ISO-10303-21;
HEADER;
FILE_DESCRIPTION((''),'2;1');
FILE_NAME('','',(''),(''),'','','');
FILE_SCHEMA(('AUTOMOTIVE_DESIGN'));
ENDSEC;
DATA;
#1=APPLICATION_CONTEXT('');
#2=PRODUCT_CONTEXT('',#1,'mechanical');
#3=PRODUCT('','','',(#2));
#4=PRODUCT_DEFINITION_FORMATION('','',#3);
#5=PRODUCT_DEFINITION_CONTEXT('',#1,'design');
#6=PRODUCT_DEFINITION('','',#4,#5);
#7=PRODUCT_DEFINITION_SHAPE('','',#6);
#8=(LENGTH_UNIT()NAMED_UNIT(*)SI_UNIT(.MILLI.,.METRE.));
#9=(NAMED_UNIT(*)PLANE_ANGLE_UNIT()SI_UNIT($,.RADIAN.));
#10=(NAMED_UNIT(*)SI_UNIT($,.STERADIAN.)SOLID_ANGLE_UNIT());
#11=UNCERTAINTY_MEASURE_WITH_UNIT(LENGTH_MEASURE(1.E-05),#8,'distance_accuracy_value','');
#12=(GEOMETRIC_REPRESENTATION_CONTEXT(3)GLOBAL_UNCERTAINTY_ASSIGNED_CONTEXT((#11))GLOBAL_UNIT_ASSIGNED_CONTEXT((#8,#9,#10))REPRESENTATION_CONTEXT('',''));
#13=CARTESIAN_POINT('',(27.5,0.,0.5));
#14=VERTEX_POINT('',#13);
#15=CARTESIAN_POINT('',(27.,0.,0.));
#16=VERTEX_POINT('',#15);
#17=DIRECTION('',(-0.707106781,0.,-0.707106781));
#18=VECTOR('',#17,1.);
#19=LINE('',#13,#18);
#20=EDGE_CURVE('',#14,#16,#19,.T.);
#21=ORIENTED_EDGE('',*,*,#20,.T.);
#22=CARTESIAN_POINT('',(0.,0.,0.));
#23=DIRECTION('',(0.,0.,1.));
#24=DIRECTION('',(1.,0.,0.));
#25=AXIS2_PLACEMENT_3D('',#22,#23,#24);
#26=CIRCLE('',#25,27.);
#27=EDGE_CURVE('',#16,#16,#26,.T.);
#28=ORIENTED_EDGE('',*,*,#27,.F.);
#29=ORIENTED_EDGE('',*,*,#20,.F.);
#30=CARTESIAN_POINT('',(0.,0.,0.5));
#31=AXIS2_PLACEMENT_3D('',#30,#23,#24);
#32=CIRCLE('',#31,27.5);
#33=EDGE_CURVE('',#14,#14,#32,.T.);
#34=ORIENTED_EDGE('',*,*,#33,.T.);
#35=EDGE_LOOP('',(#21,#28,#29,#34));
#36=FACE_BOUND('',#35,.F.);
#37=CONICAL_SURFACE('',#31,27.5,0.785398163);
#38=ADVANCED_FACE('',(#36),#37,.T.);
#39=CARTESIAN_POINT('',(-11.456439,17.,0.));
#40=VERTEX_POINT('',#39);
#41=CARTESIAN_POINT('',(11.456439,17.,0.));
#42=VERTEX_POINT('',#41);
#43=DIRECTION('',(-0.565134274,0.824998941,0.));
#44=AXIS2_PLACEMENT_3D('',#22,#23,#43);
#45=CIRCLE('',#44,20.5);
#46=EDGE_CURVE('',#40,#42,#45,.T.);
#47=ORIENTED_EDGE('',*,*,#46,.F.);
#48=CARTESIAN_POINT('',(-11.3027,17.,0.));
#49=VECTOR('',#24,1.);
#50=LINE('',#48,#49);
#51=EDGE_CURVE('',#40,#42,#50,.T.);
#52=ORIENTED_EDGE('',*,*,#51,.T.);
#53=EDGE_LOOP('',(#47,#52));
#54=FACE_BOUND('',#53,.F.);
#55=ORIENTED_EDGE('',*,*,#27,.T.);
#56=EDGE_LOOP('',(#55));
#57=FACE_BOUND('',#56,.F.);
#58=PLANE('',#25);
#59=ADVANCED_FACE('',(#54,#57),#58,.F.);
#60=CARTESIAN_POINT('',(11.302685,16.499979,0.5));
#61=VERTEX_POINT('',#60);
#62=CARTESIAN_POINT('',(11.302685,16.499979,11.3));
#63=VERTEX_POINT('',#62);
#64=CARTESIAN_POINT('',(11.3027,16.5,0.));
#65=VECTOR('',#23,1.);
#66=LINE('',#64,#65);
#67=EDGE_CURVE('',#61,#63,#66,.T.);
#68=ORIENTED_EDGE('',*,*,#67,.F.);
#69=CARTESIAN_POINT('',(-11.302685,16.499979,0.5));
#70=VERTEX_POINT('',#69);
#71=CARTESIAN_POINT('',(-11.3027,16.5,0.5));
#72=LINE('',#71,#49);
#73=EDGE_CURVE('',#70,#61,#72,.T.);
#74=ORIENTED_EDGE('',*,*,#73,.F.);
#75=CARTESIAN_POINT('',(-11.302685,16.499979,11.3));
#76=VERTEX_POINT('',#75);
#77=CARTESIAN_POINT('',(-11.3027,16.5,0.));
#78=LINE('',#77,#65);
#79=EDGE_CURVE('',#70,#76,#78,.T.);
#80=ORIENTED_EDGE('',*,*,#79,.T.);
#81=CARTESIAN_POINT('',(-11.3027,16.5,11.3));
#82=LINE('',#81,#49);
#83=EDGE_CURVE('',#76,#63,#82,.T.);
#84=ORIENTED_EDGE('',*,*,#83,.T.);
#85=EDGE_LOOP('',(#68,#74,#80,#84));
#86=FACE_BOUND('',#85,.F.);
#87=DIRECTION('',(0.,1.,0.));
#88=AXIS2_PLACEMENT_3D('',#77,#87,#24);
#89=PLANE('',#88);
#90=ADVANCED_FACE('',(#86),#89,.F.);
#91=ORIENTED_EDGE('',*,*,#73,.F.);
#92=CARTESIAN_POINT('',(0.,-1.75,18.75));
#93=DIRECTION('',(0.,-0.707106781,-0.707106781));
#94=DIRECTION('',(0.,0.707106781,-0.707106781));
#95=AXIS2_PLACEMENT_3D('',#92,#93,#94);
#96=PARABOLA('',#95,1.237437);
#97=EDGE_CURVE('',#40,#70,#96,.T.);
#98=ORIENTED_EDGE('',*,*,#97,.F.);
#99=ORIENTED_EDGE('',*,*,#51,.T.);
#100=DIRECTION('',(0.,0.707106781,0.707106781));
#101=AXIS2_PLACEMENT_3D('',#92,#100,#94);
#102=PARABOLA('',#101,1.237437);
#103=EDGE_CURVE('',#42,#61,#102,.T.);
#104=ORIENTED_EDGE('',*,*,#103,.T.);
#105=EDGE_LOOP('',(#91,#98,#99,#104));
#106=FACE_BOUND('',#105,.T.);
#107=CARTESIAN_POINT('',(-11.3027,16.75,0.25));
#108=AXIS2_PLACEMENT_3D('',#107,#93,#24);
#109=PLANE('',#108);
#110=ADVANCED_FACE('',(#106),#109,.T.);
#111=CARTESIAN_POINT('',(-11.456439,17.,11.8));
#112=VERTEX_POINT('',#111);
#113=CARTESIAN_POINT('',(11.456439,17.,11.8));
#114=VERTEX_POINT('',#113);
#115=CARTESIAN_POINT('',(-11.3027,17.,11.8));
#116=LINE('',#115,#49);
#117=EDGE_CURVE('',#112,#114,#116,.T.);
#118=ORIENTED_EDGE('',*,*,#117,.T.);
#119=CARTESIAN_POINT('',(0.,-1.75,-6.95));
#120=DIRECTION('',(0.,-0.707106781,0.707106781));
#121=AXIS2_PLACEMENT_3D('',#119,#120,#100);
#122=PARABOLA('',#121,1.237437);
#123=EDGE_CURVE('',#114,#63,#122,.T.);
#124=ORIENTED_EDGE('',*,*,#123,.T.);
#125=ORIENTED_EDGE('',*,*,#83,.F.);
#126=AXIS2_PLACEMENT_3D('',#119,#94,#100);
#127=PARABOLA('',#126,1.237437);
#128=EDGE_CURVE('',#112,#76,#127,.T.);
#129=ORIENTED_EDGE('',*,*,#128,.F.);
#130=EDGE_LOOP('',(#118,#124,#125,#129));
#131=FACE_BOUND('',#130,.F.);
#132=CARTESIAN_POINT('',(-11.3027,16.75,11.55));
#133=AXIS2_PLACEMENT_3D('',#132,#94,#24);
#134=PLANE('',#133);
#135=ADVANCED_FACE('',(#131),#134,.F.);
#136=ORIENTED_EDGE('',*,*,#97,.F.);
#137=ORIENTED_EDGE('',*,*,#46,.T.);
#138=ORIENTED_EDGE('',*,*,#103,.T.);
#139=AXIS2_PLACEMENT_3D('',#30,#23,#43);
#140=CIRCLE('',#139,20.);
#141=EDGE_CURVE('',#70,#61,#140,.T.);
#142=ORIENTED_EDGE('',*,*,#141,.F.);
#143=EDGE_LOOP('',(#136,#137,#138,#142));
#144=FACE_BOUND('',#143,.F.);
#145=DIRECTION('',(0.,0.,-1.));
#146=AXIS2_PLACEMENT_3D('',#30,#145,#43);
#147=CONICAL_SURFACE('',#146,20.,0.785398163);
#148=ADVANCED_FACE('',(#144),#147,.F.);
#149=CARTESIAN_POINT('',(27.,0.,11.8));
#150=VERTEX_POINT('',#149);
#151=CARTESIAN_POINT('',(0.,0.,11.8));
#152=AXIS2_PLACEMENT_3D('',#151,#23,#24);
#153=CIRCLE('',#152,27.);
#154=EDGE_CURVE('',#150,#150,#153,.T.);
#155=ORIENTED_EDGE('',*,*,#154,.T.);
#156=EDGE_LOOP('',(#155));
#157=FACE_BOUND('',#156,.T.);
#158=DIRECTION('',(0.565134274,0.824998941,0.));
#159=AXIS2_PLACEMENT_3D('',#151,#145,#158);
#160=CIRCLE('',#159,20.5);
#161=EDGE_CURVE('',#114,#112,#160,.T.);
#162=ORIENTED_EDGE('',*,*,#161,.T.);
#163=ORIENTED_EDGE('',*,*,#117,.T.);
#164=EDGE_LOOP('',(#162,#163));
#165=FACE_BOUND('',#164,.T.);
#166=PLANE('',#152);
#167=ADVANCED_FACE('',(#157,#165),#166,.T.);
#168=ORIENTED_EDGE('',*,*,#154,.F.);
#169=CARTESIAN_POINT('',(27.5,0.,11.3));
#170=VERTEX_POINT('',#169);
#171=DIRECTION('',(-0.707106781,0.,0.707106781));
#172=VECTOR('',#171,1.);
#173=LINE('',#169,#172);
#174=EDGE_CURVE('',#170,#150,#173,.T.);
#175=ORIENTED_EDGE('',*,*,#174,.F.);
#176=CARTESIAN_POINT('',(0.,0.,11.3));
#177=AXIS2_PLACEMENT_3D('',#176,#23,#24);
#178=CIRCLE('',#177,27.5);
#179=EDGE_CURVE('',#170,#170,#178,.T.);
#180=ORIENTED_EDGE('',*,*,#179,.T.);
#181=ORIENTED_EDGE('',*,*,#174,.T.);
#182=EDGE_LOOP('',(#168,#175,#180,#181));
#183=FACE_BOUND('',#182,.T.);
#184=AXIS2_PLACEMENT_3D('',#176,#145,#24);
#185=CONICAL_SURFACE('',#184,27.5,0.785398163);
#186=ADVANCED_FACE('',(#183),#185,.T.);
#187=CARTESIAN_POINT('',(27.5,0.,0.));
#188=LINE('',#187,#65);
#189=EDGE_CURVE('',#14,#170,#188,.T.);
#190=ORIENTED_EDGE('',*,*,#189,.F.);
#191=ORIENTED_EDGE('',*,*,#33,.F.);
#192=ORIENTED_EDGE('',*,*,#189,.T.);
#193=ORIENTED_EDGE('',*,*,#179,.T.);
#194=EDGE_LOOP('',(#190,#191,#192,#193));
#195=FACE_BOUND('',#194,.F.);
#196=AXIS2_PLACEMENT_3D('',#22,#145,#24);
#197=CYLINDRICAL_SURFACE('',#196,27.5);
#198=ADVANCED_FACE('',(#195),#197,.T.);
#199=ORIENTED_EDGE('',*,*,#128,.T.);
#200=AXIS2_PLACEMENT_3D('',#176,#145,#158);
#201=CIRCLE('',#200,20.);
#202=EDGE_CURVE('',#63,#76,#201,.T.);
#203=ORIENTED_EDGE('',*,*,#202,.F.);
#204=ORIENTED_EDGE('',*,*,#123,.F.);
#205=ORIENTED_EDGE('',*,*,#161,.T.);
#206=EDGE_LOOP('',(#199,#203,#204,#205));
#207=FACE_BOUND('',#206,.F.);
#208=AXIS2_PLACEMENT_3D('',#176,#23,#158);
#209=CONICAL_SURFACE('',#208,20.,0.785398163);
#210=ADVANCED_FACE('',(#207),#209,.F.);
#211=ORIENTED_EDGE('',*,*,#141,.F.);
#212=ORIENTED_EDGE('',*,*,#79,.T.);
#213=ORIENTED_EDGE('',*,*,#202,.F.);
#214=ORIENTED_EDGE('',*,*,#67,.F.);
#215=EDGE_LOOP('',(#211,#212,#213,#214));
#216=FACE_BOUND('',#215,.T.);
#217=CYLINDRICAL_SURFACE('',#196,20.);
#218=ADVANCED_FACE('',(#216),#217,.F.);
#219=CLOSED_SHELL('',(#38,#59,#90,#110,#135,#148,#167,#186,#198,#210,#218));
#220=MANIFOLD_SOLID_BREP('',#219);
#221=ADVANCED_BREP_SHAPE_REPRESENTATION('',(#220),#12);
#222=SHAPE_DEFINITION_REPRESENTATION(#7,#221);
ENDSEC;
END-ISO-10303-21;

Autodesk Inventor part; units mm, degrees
ref_plane "YZ Plane" through (0, 0, 0) normal (1, 0, 0) x (0, 1, 0)
ref_plane "XZ Plane" through (0, 0, 0) normal (0, 1, 0) x (-1, 0, 0)
ref_plane "XY Plane" through (0, 0, 0) normal (0, 0, 1) x (1, 0, 0)
sketch "Skizze1" plane through (0, 0, 0) normal (0, 0, 1) x (1, 0, 0)
  circle A0 centre (0, 0) radius 27.5
  circle A1 centre (0, 0) radius 20
  line L0 (-6, 19.0788) -> (-6, 22.8)
  line L1 (-6, 22.8) -> (6, 22.8)
  line L2 (6, 22.8) -> (6, 19.0788)
  line L3 (0, -38.5) -> (0, 38.5) construction
  line L4 (-6, 20) -> (6, 20) construction
  line L5 (-11.3027, 16.5) -> (11.3027, 16.5)
  point P0 (0, 22.8)
  point P1 (0, 20)
  dimension "d0" = 2.8
  dimension "d1" = 12
  dimension "d2" = 40
  dimension "d3" = 55
  dimension "d9" = 3.5
extrude "Extrusion1" add sketch "Skizze1" along normal blind 11.8 contours A0 | L5 A1 | A1 L0 L1 L2 picked at (0.6759, 18.8958)
chamfer "Fase1" distance 0.5 angle 45 6 edges at (-27.5, 0, 11.8) (-27.5, 0, 0) (0, -20, 11.8) (0, 16.5, 11.8) (0, -20, 0) (0, 16.5, 0)
equation "\"d0\" = Nabennuttiefe_20"
equation "\"d1\" = Passfeder_width"
equation "\"d2\" = 2 * Shaft_CapstonPart_Dia"
equation "\"Shaft_CapstonPart_Length\" = 22.8"
equation "\"Nabennuttiefe_20\" = 2.8"
equation "\"Passfeder_width\" = 12"
equation "\"Shaft_CapstonPart_Dia\" = 20"
properties part number "Capston_Distanzscheibe_10mm" material "Edelstahl"
